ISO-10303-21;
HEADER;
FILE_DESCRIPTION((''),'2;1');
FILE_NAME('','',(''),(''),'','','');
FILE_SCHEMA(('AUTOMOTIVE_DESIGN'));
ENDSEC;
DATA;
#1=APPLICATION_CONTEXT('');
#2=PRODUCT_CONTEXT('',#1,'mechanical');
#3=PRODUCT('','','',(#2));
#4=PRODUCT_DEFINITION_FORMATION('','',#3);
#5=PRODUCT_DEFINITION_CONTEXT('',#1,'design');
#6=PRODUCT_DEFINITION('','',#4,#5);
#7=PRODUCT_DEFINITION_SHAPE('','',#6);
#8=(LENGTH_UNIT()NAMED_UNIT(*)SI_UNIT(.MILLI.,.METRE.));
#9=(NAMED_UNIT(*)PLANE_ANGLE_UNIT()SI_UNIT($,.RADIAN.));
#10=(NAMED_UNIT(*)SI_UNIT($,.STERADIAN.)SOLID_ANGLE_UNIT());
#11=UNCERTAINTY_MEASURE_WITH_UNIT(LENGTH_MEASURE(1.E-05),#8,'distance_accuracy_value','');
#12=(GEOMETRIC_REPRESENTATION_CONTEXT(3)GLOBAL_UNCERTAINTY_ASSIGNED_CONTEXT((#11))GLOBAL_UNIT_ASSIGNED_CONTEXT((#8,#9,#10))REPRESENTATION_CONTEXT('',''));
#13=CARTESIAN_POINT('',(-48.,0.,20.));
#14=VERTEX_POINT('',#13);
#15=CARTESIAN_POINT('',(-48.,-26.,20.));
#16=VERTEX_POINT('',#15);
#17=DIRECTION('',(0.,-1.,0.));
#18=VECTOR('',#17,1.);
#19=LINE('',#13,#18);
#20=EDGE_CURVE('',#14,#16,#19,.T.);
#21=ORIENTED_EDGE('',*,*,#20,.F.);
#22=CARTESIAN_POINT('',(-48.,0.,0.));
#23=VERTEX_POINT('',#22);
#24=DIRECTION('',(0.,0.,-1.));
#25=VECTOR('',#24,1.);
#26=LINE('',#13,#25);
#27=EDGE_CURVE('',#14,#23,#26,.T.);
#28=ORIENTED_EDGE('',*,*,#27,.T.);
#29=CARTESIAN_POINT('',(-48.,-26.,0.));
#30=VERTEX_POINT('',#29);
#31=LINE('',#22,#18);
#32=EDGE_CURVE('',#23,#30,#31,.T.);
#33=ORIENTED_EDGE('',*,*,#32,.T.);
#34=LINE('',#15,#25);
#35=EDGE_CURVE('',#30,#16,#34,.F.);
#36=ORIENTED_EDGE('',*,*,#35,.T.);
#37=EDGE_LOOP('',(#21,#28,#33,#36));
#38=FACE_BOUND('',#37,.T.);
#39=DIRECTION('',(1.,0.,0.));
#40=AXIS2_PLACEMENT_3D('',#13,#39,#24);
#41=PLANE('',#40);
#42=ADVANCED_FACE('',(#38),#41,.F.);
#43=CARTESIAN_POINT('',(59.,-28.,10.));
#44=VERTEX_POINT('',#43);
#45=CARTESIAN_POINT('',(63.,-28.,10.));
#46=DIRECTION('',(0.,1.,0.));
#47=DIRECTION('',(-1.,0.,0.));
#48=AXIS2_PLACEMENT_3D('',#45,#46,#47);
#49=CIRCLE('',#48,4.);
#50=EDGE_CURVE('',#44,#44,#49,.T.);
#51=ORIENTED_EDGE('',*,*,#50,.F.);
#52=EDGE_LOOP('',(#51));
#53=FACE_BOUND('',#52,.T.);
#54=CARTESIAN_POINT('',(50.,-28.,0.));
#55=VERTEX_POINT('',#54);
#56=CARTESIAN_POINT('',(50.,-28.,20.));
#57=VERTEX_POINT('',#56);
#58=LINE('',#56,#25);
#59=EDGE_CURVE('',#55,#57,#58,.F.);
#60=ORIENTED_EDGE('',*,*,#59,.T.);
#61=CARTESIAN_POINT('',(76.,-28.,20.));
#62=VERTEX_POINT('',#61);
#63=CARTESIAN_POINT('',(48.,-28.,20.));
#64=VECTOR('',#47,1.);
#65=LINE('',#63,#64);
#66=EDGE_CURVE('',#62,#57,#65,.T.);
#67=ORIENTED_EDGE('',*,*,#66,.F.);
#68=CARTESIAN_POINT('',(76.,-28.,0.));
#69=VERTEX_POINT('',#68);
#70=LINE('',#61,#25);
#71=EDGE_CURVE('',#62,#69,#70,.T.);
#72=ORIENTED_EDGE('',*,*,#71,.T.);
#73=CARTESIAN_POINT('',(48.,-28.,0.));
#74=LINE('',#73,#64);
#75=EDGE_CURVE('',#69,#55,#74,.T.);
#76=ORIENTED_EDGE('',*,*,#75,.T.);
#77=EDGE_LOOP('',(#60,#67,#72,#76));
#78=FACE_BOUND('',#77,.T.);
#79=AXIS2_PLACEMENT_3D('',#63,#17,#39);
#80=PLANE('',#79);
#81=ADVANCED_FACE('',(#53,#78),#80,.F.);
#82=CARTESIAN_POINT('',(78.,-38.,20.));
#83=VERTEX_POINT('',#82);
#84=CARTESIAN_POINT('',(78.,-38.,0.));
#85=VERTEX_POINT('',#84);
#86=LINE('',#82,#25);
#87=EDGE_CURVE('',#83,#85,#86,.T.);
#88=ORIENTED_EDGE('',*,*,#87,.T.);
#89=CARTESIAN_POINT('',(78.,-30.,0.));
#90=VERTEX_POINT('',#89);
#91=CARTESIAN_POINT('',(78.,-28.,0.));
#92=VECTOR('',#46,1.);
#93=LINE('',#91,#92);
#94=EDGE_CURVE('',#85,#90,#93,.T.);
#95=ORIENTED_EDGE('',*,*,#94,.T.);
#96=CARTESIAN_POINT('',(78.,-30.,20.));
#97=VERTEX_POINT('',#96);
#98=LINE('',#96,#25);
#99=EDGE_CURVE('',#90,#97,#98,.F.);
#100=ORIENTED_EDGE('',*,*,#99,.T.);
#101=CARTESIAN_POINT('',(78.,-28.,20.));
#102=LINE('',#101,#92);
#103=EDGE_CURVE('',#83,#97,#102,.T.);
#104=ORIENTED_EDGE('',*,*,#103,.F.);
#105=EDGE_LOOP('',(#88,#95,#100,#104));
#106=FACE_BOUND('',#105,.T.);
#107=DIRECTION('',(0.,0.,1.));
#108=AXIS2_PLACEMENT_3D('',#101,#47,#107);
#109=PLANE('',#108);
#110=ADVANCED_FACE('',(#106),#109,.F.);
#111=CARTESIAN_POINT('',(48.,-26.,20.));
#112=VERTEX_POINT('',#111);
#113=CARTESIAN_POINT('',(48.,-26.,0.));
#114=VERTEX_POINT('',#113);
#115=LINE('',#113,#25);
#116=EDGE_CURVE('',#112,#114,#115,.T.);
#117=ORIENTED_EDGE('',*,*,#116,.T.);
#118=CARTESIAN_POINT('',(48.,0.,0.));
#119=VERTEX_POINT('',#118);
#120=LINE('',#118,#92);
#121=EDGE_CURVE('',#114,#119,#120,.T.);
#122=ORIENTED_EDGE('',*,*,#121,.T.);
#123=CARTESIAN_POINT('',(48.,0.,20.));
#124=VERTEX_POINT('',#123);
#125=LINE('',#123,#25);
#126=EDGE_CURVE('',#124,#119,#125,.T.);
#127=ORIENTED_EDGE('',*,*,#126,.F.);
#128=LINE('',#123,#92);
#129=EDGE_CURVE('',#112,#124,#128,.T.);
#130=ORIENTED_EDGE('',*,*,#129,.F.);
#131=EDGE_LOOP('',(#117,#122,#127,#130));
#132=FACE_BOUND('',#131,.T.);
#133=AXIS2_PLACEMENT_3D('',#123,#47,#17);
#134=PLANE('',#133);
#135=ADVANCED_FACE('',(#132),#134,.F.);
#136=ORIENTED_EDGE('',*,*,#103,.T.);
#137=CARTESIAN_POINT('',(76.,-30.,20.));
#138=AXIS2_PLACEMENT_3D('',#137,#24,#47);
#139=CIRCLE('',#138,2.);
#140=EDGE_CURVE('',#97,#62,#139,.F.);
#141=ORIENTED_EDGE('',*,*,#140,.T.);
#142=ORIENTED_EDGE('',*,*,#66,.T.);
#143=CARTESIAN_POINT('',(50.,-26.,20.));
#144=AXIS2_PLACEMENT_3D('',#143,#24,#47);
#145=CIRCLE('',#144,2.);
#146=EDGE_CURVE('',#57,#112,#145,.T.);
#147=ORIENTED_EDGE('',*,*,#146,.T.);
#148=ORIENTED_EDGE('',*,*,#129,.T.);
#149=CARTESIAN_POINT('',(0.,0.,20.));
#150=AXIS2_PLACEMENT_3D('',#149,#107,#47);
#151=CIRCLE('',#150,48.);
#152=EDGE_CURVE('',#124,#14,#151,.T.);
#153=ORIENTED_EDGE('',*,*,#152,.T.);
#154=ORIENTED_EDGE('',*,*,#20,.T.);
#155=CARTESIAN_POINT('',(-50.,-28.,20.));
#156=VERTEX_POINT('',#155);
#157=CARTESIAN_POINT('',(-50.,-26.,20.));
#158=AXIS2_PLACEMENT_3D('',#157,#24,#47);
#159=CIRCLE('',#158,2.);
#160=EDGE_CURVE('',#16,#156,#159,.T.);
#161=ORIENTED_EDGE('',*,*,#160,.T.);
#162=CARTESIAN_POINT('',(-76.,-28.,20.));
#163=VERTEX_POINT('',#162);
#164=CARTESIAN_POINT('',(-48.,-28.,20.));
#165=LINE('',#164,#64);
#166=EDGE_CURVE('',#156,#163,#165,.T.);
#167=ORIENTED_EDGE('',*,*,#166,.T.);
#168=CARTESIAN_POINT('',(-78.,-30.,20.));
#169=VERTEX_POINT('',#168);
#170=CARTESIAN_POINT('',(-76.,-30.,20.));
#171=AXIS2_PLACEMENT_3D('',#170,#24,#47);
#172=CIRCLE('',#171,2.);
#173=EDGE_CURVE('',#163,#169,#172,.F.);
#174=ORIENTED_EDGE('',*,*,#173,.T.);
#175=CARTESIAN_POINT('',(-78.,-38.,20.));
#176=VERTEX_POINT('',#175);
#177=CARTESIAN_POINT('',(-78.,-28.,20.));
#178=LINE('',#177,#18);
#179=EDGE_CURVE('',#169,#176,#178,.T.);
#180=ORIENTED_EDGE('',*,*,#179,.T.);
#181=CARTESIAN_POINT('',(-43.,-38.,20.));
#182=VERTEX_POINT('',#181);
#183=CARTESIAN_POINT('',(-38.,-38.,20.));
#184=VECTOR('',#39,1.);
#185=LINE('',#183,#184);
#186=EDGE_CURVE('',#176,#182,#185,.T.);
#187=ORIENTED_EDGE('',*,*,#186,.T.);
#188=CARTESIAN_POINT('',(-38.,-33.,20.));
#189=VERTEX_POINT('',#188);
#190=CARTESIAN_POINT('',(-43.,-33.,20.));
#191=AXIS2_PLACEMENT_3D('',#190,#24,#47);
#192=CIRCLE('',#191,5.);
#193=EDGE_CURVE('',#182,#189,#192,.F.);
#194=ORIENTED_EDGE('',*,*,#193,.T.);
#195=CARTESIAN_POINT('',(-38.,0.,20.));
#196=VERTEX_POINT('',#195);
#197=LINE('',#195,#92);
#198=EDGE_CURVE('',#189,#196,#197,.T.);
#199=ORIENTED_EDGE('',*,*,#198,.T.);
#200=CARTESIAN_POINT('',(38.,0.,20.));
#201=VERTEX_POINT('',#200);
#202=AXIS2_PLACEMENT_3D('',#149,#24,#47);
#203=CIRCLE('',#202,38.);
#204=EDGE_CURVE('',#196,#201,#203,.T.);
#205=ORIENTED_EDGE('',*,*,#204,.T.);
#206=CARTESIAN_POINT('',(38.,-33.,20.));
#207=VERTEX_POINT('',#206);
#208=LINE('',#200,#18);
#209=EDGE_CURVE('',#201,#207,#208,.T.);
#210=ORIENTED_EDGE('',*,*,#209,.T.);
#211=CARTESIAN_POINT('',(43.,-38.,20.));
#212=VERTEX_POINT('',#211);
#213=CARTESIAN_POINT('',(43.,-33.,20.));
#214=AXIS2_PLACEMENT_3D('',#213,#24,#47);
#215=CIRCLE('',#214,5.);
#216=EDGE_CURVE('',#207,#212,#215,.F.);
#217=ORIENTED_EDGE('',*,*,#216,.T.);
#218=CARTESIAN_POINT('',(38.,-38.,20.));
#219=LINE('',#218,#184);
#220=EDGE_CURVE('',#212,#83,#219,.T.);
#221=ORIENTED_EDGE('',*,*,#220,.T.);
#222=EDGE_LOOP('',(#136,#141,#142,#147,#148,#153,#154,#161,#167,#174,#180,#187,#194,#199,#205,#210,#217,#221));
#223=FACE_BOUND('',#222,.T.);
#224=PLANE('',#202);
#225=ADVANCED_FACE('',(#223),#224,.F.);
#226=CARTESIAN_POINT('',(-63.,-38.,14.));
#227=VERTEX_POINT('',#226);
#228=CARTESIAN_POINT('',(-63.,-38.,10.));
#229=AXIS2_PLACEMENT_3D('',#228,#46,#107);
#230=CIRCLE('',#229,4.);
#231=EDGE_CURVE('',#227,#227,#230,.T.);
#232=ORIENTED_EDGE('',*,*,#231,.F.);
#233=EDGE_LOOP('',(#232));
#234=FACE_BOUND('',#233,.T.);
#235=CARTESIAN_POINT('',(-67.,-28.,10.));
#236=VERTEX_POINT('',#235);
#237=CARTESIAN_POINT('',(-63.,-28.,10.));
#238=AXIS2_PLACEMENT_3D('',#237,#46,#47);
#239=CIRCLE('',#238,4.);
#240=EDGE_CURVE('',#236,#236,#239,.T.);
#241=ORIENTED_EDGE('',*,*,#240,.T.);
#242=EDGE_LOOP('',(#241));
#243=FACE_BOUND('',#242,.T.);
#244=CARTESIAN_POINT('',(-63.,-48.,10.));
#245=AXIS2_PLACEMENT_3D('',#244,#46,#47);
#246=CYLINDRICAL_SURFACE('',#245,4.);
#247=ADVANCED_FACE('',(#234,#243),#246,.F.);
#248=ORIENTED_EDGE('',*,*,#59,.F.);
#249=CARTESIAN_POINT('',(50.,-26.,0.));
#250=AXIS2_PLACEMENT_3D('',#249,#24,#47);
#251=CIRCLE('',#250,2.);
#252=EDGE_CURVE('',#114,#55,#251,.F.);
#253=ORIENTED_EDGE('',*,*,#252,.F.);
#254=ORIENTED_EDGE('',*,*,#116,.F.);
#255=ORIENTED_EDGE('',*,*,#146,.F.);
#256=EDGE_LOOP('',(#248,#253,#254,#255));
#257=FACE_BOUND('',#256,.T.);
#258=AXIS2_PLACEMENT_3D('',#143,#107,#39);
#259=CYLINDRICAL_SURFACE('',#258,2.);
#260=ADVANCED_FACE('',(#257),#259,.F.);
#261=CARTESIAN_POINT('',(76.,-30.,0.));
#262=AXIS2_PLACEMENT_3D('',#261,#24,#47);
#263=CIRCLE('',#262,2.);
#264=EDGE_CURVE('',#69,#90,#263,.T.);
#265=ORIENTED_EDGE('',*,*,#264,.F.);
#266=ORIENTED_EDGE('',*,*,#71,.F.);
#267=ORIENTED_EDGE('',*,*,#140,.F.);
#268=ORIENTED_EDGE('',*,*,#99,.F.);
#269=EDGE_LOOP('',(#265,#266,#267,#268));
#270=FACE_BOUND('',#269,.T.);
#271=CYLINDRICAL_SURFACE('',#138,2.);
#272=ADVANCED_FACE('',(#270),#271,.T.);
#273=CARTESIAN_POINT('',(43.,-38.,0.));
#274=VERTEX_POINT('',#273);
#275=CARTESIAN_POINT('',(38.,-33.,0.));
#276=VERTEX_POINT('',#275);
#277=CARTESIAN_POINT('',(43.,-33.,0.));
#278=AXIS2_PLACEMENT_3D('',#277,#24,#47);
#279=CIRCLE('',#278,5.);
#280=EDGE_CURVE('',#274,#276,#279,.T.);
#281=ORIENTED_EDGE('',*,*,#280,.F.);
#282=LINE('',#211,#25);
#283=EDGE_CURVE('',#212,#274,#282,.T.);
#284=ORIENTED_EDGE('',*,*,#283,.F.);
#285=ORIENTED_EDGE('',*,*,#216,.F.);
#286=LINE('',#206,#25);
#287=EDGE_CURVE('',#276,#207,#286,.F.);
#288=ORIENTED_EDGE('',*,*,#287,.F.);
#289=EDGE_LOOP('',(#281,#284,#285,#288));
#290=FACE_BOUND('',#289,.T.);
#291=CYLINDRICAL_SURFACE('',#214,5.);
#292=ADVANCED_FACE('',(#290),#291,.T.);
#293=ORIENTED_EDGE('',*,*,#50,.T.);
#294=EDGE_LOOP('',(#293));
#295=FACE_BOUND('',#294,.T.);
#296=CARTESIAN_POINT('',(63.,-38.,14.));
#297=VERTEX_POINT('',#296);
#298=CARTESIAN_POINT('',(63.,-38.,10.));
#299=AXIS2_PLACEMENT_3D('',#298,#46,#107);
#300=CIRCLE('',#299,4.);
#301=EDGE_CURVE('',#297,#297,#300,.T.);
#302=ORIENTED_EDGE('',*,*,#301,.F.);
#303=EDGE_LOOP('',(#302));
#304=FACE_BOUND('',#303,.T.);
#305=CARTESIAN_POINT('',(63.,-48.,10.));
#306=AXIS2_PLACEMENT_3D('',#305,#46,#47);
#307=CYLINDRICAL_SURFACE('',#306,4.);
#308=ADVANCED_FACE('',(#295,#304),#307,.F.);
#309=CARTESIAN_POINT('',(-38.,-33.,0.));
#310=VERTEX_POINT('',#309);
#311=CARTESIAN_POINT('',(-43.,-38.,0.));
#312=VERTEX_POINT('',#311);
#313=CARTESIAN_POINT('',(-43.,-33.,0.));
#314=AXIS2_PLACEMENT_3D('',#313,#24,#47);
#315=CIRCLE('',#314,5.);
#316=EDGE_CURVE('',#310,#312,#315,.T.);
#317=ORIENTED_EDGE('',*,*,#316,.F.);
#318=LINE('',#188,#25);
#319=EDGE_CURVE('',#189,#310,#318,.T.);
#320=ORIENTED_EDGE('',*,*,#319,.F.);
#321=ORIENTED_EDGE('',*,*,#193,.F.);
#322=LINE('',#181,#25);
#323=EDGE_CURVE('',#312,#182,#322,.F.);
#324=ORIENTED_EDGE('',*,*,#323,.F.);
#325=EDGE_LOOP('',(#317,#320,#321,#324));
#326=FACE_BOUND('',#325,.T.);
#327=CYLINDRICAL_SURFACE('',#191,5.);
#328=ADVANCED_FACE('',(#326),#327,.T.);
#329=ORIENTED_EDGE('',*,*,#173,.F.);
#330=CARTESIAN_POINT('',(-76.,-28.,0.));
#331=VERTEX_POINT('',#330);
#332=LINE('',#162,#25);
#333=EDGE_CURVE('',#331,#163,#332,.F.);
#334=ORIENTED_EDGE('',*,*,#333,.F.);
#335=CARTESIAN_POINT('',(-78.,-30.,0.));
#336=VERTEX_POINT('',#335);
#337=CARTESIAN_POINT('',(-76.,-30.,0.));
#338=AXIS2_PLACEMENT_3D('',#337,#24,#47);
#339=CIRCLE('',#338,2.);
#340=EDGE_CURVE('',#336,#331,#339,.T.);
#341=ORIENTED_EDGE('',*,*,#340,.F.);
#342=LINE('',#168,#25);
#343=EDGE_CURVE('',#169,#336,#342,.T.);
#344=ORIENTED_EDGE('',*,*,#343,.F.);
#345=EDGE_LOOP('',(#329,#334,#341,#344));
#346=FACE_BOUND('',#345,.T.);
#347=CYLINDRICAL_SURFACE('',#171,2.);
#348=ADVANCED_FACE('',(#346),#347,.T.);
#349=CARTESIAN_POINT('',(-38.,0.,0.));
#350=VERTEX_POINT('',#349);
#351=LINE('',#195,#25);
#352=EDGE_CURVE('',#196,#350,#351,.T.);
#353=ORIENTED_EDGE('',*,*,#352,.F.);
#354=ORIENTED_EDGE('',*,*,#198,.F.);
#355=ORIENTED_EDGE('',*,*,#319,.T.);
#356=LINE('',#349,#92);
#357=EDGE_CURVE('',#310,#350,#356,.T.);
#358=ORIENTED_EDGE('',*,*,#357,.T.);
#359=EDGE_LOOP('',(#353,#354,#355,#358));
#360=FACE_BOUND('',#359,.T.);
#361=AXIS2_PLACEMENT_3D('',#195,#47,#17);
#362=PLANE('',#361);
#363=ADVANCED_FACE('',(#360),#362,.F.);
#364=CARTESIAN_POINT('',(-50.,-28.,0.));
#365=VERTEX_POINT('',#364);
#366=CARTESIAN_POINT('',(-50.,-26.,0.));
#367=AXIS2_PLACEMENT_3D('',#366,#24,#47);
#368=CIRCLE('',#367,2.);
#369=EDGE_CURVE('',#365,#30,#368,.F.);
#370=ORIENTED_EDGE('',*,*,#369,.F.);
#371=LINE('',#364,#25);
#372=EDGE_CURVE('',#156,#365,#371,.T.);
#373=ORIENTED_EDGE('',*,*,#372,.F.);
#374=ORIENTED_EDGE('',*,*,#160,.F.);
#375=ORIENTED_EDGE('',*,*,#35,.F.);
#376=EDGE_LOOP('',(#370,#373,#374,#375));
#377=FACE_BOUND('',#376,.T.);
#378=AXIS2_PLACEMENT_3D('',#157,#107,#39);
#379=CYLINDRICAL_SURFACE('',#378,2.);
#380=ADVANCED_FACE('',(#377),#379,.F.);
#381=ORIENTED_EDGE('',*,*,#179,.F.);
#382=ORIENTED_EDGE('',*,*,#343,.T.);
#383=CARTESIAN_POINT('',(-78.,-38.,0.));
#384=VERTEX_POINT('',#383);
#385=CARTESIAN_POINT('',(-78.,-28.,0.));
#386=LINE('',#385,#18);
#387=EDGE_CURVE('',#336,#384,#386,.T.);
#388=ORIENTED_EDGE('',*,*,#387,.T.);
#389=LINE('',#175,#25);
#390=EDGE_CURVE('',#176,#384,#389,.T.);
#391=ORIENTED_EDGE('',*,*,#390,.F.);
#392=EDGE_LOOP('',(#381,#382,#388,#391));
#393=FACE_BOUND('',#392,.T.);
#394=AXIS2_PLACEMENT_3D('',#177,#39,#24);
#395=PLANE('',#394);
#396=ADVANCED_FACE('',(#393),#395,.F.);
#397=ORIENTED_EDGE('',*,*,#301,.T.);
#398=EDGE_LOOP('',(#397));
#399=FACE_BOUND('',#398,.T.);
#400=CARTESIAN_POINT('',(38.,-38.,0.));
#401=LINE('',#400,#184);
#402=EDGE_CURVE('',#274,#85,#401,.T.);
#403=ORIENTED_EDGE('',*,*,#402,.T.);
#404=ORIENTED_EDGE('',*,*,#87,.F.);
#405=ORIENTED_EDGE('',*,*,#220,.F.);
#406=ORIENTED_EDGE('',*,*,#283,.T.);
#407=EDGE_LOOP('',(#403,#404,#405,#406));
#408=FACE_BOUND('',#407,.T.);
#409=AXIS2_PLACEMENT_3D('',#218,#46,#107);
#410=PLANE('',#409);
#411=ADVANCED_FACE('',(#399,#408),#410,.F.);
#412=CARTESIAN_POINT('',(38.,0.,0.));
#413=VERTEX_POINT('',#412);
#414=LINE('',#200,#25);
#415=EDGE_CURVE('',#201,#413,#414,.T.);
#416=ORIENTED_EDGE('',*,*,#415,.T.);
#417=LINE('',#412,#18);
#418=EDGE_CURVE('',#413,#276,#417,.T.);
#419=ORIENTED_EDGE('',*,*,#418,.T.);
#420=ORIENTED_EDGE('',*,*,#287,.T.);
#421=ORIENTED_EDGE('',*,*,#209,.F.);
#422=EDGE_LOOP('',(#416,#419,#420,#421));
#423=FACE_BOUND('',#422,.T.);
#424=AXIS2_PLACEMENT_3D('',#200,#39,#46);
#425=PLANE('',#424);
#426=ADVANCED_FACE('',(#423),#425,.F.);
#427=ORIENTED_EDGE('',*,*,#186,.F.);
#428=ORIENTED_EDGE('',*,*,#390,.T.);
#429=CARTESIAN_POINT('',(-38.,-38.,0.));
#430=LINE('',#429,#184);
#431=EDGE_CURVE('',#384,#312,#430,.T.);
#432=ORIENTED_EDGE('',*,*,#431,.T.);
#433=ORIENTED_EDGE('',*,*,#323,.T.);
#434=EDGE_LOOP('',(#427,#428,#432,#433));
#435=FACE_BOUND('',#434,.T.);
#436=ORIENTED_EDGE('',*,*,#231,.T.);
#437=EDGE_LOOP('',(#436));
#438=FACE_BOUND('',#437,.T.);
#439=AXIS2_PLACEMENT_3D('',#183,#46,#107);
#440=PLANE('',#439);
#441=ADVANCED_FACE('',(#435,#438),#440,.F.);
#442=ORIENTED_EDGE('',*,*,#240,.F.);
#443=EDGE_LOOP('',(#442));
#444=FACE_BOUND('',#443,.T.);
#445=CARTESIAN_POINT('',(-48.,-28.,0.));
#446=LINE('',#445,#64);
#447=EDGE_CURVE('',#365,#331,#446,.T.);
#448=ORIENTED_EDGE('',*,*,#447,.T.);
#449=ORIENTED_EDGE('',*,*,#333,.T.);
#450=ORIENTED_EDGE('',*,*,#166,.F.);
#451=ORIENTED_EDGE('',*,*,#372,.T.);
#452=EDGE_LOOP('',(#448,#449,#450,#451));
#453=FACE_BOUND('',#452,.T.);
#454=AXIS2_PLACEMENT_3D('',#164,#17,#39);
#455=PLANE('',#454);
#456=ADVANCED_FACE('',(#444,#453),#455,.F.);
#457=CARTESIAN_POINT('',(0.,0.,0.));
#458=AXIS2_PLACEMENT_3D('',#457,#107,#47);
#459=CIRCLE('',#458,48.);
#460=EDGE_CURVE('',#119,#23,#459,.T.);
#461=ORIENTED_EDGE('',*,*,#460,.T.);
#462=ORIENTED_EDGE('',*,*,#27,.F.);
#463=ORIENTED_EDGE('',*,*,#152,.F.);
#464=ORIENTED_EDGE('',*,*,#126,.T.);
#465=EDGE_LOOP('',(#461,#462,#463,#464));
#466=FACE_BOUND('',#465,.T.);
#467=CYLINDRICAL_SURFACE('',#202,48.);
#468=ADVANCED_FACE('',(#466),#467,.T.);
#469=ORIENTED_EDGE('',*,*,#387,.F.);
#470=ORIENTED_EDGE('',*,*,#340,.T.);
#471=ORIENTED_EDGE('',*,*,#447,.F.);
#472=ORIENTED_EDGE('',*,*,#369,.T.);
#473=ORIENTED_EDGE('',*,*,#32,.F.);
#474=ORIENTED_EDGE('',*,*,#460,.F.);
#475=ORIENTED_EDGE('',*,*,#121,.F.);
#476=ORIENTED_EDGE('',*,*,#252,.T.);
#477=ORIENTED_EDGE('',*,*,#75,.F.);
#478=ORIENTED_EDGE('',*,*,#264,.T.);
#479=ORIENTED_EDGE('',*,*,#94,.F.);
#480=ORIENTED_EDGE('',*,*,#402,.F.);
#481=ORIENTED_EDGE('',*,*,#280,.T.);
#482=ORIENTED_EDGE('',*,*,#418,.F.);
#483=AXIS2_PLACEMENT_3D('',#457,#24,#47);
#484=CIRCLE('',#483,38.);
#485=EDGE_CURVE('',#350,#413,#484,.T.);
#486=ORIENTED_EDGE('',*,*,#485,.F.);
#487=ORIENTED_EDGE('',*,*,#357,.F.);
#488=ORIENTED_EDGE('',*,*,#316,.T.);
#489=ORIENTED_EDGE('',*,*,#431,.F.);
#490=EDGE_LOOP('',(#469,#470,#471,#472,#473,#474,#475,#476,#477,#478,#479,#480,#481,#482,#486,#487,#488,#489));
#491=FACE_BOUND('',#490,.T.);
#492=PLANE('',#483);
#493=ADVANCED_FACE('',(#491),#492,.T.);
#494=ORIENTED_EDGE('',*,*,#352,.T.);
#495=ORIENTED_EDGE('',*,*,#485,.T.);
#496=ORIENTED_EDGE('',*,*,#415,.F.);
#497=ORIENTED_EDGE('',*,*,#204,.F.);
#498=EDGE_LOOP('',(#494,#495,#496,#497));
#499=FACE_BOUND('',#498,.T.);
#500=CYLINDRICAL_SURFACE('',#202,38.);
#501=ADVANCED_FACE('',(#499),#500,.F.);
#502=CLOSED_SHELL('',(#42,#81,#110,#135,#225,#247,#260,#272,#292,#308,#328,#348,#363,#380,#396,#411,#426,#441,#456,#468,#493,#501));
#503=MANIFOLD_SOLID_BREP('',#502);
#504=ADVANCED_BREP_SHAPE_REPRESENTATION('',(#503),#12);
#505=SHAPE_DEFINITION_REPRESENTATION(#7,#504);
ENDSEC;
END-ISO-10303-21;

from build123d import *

# Parameters (mm, degrees)
BOSS_EXTRUDE1_DEPTH = 20
SKETCH3_R           = 4
CUT_EXTRUDE2_DEPTH  = 20
FILLET3_R           = 2
FILLET4_R           = 5


with BuildPart() as part:
    # Sketch1 → Boss-Extrude1 (new body)
    with BuildSketch(Plane.XY):
        with BuildLine():
            Line((-38, -38), (-78, -38))
            Line((-78, -38), (-78, -28))
            Line((-78, -28), (-48, -28))
            Line((-48, -28), (-48, 0))
            ThreePointArc((-48, 0), (0, 48), (48, 0))
            Line((48, 0), (48, -28))
            Line((48, -28), (78, -28))
            Line((78, -28), (78, -38))
            Line((78, -38), (38, -38))
            Line((38, -38), (38, 0))
            ThreePointArc((38, 0), (0, 38), (-38, 0))
            Line((-38, 0), (-38, -38))
        make_face()
    extrude(amount=BOSS_EXTRUDE1_DEPTH)

    # Sketch3 → Cut-Extrude2 (cut)
    with BuildSketch(Plane(origin=(0, -28, 0), x_dir=(1, 0, 0), z_dir=(0, 1, 0))):
        with Locations((-63, -10)):
            Circle(SKETCH3_R)
        with Locations((63, -10)):
            Circle(SKETCH3_R)
    extrude(amount=-CUT_EXTRUDE2_DEPTH, mode=Mode.SUBTRACT)

    # Fillet3
    fillet3_edges = [part.edges().sort_by_distance(p)[0] for p in [
        (48, -28, 10),
        (78, -28, 10),
        (-78, -28, 10),
        (-48, -28, 10),
    ]]
    fillet(fillet3_edges, radius=FILLET3_R)

    # Fillet4
    fillet4_edges = [part.edges().sort_by_distance(p)[0] for p in [
        (38, -38, 10),
        (-38, -38, 10),
    ]]
    fillet(fillet4_edges, radius=FILLET4_R)


solid = part.part
